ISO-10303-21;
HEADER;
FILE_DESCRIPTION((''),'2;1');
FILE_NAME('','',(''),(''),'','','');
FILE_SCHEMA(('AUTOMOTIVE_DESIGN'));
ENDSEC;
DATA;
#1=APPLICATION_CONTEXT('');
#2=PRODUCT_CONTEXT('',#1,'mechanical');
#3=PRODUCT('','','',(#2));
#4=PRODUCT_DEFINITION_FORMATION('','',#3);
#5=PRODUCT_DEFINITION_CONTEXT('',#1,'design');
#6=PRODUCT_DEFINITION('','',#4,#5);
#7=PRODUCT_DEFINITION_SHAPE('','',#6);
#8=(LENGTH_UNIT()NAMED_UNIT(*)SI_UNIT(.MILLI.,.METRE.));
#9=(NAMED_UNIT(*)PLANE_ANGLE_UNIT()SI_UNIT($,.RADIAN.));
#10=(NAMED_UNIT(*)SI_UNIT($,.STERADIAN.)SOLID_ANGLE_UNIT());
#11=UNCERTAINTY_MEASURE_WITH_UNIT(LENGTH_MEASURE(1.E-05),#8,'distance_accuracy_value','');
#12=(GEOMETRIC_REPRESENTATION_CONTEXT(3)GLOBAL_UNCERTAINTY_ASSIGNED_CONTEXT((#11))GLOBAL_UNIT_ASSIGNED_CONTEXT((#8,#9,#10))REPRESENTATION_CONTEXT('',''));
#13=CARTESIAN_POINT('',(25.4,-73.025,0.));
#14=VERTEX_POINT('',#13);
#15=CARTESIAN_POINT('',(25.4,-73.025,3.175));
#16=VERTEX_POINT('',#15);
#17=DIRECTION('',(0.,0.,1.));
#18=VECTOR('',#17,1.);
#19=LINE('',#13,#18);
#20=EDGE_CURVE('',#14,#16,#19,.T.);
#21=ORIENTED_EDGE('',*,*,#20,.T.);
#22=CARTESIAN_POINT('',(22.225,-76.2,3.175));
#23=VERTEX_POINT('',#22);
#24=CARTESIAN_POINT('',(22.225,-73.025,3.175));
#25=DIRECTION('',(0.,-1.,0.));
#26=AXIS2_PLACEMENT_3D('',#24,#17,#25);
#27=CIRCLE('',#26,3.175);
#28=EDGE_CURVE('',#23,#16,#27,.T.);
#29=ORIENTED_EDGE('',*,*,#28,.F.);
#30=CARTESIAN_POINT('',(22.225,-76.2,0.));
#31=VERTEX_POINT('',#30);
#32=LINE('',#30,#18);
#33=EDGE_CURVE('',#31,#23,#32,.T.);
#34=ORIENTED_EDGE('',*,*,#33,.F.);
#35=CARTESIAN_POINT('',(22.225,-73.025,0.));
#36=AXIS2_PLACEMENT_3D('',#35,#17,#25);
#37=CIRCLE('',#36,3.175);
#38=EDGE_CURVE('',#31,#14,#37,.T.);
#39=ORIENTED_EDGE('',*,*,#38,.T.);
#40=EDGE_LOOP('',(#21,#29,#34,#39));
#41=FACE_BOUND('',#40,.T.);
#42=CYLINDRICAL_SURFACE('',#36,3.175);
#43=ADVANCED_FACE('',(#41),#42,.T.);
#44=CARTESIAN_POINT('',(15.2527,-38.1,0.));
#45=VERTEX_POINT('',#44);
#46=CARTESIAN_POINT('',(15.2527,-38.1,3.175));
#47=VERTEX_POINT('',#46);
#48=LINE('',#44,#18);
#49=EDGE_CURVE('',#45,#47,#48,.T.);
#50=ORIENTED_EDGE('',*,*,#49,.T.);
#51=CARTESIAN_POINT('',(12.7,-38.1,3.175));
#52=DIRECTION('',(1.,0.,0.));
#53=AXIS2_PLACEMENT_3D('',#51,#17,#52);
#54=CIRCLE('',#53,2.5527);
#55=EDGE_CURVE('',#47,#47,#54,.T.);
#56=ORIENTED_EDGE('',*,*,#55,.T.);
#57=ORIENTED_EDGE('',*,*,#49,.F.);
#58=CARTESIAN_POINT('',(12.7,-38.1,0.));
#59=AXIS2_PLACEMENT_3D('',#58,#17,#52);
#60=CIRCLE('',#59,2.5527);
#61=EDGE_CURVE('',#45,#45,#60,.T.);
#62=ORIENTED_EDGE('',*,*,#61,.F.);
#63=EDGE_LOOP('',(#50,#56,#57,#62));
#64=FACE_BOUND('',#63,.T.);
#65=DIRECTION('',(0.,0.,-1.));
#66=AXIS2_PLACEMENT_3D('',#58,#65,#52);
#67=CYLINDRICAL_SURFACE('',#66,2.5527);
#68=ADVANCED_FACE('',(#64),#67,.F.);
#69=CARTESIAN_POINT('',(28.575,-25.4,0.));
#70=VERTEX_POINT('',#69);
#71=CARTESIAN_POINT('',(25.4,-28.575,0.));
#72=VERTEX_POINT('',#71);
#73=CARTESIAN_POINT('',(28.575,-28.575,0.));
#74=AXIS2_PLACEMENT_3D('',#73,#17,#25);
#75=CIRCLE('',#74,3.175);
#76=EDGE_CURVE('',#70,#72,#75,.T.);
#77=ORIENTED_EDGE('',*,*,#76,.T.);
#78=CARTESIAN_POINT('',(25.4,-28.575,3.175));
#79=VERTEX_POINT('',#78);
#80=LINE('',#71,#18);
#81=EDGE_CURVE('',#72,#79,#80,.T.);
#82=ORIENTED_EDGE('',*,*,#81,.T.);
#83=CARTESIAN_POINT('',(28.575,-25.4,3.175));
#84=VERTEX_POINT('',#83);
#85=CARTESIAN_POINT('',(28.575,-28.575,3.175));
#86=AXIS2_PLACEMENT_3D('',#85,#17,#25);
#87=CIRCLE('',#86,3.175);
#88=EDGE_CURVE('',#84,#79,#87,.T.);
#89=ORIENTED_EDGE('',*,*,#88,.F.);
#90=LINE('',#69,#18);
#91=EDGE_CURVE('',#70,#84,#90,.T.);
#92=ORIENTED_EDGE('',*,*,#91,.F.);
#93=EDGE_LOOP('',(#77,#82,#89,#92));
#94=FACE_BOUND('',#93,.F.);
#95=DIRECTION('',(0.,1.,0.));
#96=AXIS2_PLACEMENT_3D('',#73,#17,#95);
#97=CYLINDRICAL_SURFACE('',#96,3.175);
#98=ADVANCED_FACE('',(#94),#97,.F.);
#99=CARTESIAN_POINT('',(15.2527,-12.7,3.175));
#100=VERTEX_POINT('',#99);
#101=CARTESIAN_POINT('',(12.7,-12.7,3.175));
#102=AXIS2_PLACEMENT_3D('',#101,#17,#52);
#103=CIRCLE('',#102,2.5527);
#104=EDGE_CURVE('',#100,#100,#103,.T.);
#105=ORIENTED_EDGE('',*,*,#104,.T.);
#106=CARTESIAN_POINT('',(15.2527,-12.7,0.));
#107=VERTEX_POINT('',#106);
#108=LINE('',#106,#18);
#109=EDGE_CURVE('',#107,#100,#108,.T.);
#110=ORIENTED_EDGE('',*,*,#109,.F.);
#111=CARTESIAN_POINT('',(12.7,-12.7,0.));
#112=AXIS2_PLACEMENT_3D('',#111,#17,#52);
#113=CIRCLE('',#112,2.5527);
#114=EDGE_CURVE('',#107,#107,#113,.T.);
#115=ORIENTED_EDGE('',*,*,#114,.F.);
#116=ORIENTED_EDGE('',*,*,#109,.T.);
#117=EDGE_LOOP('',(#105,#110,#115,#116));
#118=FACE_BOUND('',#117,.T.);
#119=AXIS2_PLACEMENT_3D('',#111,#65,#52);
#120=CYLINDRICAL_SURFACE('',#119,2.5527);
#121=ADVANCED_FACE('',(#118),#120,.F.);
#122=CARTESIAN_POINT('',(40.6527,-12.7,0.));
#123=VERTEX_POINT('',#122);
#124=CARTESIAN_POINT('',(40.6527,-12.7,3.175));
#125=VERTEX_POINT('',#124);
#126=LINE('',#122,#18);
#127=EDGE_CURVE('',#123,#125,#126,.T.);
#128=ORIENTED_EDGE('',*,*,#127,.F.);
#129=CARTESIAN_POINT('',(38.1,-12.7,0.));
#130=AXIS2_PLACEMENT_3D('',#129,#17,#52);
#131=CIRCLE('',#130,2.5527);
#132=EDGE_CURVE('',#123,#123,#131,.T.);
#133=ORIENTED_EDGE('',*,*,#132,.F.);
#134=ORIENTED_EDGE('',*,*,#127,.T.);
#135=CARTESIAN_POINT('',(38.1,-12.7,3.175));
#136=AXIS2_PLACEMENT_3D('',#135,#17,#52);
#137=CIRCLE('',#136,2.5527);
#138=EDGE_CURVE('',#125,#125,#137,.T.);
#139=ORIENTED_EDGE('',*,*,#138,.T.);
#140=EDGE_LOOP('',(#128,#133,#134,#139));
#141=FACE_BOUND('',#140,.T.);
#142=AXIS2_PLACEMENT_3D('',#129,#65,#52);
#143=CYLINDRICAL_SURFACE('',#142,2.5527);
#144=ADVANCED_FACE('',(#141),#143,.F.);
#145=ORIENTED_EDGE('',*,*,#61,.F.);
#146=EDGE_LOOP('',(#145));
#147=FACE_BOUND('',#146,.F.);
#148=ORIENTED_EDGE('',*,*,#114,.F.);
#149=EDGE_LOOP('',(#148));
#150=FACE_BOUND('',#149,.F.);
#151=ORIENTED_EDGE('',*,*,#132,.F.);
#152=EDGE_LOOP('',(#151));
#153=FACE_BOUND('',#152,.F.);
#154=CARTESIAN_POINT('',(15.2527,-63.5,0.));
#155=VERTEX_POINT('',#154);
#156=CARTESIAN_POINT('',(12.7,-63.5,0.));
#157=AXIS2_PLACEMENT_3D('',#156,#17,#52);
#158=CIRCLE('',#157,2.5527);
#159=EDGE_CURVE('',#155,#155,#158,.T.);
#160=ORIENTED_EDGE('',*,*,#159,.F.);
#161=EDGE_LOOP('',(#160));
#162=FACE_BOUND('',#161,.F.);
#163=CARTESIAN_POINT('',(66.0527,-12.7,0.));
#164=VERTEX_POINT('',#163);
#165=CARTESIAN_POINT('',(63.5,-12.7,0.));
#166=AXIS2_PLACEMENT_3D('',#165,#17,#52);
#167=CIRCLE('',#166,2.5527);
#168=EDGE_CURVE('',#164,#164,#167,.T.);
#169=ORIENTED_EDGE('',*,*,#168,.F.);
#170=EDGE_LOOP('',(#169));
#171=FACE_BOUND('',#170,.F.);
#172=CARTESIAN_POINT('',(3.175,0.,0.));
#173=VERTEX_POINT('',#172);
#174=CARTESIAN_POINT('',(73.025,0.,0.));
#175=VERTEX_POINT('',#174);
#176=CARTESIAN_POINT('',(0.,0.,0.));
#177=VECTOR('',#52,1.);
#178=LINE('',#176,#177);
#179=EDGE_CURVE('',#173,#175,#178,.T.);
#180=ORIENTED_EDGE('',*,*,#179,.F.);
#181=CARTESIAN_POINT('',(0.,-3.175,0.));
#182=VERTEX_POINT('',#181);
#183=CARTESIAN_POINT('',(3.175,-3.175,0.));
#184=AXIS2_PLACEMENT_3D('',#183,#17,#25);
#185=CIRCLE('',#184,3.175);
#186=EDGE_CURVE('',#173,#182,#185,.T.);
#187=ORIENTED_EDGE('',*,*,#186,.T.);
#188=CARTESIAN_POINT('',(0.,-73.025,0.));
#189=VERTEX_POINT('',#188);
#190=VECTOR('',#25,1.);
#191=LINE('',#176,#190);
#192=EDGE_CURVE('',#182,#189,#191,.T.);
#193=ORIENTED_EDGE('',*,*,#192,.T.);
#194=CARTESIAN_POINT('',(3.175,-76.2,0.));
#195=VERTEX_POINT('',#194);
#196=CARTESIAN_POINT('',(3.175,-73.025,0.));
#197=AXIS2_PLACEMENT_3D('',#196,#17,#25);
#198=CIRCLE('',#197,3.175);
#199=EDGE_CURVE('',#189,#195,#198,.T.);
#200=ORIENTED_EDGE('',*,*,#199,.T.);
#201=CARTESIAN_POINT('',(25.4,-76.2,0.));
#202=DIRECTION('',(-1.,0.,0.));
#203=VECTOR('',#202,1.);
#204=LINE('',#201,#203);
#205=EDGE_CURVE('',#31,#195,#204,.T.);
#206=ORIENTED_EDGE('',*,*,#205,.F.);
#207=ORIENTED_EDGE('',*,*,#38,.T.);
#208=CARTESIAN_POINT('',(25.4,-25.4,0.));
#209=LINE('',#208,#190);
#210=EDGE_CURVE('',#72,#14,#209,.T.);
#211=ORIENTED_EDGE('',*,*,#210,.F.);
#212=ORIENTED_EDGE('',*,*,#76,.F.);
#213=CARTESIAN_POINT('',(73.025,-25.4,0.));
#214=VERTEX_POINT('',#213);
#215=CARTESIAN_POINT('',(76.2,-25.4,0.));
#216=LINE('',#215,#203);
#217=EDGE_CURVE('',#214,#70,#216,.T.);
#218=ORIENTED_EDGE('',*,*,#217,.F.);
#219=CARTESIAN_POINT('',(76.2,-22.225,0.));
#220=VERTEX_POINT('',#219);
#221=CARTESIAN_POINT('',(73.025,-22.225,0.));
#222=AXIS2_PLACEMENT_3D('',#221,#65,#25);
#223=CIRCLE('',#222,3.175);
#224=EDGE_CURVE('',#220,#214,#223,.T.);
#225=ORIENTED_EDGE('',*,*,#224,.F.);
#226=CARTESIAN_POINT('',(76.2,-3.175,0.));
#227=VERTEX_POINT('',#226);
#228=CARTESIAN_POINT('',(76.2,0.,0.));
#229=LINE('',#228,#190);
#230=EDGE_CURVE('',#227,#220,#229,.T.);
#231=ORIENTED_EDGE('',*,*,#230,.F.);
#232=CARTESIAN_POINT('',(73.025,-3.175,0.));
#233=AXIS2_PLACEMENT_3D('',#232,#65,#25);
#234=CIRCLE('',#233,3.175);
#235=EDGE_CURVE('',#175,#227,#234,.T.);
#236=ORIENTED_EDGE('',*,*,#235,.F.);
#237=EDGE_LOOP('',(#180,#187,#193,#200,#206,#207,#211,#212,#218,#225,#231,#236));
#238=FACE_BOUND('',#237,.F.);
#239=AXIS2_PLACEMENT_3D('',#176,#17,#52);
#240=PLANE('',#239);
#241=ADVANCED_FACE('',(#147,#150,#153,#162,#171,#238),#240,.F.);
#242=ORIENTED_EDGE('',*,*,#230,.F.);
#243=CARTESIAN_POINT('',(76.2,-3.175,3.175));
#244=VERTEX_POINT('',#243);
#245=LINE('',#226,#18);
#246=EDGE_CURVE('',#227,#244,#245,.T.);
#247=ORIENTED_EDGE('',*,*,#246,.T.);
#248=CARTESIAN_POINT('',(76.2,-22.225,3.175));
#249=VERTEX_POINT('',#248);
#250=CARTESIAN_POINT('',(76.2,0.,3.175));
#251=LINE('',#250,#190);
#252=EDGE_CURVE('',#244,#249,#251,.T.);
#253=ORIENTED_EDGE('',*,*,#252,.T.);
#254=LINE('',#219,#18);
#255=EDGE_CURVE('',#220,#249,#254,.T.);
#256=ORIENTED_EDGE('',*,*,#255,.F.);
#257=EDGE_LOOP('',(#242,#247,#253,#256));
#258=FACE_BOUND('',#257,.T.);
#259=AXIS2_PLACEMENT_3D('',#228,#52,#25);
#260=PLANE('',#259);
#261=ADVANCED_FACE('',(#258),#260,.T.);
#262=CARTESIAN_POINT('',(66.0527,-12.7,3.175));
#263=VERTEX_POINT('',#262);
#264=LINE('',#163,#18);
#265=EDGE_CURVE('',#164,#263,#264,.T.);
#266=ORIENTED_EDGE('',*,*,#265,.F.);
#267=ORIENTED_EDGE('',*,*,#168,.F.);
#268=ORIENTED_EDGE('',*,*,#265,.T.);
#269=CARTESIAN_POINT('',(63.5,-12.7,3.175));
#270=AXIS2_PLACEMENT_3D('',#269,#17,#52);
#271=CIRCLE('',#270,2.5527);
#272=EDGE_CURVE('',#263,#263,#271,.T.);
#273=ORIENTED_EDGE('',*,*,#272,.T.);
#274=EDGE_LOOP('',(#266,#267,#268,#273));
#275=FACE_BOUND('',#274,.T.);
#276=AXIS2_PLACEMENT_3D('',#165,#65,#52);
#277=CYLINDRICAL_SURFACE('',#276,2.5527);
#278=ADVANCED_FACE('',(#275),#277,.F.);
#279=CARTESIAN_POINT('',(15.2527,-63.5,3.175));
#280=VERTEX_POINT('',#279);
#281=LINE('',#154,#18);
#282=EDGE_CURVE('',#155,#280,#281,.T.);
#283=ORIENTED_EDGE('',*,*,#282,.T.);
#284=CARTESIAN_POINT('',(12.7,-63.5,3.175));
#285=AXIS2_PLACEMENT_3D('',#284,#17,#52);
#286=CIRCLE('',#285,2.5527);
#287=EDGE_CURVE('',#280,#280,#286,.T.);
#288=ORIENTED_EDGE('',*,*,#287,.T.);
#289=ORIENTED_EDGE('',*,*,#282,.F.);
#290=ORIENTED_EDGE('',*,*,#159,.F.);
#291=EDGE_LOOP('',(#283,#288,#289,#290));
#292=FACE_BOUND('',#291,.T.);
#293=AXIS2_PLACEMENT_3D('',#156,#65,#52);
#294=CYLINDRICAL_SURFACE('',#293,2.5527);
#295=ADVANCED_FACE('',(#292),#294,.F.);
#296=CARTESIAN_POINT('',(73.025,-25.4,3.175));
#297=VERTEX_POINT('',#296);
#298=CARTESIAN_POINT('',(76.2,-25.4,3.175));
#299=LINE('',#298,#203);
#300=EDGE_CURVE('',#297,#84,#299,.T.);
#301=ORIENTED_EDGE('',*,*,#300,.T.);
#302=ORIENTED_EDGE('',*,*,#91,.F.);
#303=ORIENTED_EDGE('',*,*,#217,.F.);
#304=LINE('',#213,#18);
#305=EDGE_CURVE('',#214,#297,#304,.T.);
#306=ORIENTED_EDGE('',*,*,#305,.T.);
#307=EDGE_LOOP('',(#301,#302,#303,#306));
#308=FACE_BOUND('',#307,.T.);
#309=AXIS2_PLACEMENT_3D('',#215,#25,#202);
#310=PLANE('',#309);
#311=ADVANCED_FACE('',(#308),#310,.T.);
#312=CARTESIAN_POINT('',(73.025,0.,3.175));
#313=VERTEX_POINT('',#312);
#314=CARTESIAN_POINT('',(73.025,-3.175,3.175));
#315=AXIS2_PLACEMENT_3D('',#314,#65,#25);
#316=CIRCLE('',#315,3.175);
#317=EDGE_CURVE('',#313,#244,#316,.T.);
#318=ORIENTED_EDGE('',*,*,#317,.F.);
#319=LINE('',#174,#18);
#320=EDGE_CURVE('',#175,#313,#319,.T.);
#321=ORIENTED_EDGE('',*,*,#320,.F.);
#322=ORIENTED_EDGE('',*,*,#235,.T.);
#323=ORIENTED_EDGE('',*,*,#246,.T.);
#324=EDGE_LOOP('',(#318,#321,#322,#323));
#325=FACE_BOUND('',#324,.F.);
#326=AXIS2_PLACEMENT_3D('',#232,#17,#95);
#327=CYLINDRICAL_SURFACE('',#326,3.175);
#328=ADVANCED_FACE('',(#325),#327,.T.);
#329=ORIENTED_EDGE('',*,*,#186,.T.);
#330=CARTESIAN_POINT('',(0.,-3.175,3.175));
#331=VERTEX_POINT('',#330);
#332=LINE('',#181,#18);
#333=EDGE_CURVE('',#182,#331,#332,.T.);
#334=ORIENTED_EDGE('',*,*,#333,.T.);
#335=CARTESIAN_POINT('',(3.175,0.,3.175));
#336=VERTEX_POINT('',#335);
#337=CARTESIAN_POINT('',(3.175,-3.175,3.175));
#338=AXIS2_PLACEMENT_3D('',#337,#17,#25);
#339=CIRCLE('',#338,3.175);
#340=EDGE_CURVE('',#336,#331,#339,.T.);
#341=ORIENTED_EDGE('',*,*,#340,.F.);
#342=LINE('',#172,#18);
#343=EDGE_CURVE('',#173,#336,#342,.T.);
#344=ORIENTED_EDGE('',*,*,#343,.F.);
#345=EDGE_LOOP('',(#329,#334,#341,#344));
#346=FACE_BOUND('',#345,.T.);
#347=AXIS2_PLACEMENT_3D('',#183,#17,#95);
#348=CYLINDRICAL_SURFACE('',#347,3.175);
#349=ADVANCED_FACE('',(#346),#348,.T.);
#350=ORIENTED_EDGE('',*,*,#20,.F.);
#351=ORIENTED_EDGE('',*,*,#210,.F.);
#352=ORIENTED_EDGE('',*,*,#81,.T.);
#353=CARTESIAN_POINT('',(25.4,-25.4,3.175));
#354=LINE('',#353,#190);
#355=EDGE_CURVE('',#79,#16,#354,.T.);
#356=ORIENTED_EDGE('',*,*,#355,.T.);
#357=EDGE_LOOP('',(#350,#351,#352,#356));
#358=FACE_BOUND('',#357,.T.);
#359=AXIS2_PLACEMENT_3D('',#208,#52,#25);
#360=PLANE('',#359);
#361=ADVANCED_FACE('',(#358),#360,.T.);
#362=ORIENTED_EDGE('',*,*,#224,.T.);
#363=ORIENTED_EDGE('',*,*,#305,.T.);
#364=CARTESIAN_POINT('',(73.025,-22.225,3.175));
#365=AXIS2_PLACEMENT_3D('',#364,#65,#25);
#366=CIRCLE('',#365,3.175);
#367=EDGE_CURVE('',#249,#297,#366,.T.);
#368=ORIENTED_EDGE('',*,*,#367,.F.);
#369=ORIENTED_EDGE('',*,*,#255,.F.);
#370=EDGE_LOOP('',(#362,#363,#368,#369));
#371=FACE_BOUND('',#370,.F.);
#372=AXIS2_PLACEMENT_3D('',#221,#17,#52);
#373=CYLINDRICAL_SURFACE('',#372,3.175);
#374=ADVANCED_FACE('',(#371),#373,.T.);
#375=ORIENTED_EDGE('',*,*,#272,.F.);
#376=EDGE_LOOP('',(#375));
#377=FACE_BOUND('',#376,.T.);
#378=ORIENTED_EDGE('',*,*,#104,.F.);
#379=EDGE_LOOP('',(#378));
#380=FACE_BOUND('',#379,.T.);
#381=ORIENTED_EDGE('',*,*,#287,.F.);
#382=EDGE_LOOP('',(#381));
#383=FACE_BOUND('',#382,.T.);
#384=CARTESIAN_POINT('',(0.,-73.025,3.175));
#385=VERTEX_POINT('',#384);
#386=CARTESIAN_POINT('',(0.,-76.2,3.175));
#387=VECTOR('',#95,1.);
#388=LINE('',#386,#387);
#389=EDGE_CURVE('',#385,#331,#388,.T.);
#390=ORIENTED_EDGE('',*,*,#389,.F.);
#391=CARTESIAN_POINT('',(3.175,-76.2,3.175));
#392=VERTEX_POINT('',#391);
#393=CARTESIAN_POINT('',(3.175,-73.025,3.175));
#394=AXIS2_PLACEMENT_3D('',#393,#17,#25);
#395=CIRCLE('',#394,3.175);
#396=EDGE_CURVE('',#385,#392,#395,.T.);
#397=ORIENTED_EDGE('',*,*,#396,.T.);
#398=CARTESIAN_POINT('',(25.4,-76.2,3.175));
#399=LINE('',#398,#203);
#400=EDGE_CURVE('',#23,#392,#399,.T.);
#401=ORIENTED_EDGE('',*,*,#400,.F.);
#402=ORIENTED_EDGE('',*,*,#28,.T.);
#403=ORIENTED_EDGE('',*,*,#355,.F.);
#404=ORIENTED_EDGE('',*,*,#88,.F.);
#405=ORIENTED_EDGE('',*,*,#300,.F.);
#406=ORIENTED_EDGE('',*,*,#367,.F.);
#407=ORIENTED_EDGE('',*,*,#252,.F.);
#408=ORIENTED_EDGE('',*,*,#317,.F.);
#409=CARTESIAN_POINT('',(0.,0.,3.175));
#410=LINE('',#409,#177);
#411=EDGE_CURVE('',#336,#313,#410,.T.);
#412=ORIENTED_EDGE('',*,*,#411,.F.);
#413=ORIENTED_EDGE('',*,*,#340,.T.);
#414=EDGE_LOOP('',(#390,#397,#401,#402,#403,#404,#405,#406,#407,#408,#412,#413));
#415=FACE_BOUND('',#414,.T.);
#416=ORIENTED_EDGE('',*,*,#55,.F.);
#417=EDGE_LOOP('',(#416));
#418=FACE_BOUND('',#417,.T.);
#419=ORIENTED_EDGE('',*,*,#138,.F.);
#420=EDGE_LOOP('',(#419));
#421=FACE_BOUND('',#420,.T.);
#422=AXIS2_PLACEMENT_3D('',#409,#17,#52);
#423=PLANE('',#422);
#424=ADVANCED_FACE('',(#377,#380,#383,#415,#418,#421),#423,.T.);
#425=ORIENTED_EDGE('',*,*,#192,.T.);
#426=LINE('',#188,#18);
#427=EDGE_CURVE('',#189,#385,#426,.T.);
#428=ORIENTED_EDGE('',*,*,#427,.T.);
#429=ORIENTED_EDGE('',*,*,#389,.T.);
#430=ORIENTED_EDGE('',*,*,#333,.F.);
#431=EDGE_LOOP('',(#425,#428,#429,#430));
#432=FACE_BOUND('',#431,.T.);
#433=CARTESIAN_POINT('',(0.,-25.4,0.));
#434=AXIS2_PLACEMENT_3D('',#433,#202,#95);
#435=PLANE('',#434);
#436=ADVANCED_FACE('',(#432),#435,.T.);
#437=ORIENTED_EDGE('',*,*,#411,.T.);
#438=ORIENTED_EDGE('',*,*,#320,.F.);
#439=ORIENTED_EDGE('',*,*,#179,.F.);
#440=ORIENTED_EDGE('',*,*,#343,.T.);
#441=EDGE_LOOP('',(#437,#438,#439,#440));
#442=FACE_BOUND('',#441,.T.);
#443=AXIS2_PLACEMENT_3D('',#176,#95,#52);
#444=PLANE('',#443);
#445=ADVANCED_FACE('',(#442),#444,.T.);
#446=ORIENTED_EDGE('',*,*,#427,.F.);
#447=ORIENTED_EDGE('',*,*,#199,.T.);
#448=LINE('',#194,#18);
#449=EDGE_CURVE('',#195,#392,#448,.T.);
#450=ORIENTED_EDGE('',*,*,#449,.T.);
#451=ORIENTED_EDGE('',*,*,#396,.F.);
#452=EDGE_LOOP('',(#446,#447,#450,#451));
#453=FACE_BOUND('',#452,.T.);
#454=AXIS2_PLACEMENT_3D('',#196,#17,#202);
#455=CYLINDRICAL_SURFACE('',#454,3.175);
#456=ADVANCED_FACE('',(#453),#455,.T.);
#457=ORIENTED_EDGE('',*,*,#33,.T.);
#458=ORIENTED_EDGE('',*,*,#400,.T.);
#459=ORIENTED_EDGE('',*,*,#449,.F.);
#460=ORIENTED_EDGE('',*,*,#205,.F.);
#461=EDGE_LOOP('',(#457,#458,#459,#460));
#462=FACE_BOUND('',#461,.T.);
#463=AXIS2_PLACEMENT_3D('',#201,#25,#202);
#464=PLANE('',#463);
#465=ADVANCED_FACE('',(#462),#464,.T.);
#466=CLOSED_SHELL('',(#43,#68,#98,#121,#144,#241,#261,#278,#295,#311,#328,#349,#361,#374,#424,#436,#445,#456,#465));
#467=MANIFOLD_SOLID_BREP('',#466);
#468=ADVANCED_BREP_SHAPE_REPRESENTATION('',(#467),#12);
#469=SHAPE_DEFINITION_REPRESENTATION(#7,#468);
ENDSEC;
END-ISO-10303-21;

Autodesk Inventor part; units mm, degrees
ref_plane "YZ Plane" through (0, 0, 0) normal (1, 0, 0) x (0, 1, 0)
ref_plane "XZ Plane" through (0, 0, 0) normal (0, 1, 0) x (-1, 0, 0)
ref_plane "XY Plane" through (0, 0, 0) normal (0, 0, 1) x (1, 0, 0)
sketch "Sketch1" plane through (0, 0, 0) normal (0, 0, 1) x (1, 0, 0)
  line L0 (0, 0) -> (76.2, 0)
  line L1 (76.2, 0) -> (76.2, -25.4)
  line L2 (76.2, -25.4) -> (0, -25.4)
  line L3 (0, -25.4) -> (0, 0)
  line L4 (0, -25.4) -> (25.4, -25.4)
  line L5 (25.4, -25.4) -> (25.4, -76.2)
  line L6 (25.4, -76.2) -> (0, -76.2)
  line L7 (0, -76.2) -> (0, -25.4)
  circle A0 centre (12.7, -12.7) radius 2.5527
  circle A1 centre (38.1, -12.7) radius 2.5527
  circle A2 centre (63.5, -12.7) radius 2.5527
  circle A3 centre (12.7, -38.1) radius 2.5527
  circle A4 centre (12.7, -63.5) radius 2.5527
  point P0 (0, -12.7)
  dimension "d0" = 76.2
  dimension "d1" = 25.4
  dimension "d2" = 25.4
  dimension "d3" = 50.8
  dimension "d4" = 5.1054
  dimension "d5" = 12.7
  dimension "d6" = 12.7
  dimension "d9" = 25.4
  dimension "d16" = 25.4
extrude "Extrusion1" add sketch "Sketch1" along normal blind 3.175
fillet "Fillet1" radius 3.175 6 edges at (25.4, -25.4, 1.5875) (0, 0, 1.5875) (25.4, -76.2, 1.5875) (0, -76.2, 1.5875) (76.2, -25.4, 1.5875) (76.2, 0, 1.5875)
properties part number "L_gusset" material "Aluminum 6061"
